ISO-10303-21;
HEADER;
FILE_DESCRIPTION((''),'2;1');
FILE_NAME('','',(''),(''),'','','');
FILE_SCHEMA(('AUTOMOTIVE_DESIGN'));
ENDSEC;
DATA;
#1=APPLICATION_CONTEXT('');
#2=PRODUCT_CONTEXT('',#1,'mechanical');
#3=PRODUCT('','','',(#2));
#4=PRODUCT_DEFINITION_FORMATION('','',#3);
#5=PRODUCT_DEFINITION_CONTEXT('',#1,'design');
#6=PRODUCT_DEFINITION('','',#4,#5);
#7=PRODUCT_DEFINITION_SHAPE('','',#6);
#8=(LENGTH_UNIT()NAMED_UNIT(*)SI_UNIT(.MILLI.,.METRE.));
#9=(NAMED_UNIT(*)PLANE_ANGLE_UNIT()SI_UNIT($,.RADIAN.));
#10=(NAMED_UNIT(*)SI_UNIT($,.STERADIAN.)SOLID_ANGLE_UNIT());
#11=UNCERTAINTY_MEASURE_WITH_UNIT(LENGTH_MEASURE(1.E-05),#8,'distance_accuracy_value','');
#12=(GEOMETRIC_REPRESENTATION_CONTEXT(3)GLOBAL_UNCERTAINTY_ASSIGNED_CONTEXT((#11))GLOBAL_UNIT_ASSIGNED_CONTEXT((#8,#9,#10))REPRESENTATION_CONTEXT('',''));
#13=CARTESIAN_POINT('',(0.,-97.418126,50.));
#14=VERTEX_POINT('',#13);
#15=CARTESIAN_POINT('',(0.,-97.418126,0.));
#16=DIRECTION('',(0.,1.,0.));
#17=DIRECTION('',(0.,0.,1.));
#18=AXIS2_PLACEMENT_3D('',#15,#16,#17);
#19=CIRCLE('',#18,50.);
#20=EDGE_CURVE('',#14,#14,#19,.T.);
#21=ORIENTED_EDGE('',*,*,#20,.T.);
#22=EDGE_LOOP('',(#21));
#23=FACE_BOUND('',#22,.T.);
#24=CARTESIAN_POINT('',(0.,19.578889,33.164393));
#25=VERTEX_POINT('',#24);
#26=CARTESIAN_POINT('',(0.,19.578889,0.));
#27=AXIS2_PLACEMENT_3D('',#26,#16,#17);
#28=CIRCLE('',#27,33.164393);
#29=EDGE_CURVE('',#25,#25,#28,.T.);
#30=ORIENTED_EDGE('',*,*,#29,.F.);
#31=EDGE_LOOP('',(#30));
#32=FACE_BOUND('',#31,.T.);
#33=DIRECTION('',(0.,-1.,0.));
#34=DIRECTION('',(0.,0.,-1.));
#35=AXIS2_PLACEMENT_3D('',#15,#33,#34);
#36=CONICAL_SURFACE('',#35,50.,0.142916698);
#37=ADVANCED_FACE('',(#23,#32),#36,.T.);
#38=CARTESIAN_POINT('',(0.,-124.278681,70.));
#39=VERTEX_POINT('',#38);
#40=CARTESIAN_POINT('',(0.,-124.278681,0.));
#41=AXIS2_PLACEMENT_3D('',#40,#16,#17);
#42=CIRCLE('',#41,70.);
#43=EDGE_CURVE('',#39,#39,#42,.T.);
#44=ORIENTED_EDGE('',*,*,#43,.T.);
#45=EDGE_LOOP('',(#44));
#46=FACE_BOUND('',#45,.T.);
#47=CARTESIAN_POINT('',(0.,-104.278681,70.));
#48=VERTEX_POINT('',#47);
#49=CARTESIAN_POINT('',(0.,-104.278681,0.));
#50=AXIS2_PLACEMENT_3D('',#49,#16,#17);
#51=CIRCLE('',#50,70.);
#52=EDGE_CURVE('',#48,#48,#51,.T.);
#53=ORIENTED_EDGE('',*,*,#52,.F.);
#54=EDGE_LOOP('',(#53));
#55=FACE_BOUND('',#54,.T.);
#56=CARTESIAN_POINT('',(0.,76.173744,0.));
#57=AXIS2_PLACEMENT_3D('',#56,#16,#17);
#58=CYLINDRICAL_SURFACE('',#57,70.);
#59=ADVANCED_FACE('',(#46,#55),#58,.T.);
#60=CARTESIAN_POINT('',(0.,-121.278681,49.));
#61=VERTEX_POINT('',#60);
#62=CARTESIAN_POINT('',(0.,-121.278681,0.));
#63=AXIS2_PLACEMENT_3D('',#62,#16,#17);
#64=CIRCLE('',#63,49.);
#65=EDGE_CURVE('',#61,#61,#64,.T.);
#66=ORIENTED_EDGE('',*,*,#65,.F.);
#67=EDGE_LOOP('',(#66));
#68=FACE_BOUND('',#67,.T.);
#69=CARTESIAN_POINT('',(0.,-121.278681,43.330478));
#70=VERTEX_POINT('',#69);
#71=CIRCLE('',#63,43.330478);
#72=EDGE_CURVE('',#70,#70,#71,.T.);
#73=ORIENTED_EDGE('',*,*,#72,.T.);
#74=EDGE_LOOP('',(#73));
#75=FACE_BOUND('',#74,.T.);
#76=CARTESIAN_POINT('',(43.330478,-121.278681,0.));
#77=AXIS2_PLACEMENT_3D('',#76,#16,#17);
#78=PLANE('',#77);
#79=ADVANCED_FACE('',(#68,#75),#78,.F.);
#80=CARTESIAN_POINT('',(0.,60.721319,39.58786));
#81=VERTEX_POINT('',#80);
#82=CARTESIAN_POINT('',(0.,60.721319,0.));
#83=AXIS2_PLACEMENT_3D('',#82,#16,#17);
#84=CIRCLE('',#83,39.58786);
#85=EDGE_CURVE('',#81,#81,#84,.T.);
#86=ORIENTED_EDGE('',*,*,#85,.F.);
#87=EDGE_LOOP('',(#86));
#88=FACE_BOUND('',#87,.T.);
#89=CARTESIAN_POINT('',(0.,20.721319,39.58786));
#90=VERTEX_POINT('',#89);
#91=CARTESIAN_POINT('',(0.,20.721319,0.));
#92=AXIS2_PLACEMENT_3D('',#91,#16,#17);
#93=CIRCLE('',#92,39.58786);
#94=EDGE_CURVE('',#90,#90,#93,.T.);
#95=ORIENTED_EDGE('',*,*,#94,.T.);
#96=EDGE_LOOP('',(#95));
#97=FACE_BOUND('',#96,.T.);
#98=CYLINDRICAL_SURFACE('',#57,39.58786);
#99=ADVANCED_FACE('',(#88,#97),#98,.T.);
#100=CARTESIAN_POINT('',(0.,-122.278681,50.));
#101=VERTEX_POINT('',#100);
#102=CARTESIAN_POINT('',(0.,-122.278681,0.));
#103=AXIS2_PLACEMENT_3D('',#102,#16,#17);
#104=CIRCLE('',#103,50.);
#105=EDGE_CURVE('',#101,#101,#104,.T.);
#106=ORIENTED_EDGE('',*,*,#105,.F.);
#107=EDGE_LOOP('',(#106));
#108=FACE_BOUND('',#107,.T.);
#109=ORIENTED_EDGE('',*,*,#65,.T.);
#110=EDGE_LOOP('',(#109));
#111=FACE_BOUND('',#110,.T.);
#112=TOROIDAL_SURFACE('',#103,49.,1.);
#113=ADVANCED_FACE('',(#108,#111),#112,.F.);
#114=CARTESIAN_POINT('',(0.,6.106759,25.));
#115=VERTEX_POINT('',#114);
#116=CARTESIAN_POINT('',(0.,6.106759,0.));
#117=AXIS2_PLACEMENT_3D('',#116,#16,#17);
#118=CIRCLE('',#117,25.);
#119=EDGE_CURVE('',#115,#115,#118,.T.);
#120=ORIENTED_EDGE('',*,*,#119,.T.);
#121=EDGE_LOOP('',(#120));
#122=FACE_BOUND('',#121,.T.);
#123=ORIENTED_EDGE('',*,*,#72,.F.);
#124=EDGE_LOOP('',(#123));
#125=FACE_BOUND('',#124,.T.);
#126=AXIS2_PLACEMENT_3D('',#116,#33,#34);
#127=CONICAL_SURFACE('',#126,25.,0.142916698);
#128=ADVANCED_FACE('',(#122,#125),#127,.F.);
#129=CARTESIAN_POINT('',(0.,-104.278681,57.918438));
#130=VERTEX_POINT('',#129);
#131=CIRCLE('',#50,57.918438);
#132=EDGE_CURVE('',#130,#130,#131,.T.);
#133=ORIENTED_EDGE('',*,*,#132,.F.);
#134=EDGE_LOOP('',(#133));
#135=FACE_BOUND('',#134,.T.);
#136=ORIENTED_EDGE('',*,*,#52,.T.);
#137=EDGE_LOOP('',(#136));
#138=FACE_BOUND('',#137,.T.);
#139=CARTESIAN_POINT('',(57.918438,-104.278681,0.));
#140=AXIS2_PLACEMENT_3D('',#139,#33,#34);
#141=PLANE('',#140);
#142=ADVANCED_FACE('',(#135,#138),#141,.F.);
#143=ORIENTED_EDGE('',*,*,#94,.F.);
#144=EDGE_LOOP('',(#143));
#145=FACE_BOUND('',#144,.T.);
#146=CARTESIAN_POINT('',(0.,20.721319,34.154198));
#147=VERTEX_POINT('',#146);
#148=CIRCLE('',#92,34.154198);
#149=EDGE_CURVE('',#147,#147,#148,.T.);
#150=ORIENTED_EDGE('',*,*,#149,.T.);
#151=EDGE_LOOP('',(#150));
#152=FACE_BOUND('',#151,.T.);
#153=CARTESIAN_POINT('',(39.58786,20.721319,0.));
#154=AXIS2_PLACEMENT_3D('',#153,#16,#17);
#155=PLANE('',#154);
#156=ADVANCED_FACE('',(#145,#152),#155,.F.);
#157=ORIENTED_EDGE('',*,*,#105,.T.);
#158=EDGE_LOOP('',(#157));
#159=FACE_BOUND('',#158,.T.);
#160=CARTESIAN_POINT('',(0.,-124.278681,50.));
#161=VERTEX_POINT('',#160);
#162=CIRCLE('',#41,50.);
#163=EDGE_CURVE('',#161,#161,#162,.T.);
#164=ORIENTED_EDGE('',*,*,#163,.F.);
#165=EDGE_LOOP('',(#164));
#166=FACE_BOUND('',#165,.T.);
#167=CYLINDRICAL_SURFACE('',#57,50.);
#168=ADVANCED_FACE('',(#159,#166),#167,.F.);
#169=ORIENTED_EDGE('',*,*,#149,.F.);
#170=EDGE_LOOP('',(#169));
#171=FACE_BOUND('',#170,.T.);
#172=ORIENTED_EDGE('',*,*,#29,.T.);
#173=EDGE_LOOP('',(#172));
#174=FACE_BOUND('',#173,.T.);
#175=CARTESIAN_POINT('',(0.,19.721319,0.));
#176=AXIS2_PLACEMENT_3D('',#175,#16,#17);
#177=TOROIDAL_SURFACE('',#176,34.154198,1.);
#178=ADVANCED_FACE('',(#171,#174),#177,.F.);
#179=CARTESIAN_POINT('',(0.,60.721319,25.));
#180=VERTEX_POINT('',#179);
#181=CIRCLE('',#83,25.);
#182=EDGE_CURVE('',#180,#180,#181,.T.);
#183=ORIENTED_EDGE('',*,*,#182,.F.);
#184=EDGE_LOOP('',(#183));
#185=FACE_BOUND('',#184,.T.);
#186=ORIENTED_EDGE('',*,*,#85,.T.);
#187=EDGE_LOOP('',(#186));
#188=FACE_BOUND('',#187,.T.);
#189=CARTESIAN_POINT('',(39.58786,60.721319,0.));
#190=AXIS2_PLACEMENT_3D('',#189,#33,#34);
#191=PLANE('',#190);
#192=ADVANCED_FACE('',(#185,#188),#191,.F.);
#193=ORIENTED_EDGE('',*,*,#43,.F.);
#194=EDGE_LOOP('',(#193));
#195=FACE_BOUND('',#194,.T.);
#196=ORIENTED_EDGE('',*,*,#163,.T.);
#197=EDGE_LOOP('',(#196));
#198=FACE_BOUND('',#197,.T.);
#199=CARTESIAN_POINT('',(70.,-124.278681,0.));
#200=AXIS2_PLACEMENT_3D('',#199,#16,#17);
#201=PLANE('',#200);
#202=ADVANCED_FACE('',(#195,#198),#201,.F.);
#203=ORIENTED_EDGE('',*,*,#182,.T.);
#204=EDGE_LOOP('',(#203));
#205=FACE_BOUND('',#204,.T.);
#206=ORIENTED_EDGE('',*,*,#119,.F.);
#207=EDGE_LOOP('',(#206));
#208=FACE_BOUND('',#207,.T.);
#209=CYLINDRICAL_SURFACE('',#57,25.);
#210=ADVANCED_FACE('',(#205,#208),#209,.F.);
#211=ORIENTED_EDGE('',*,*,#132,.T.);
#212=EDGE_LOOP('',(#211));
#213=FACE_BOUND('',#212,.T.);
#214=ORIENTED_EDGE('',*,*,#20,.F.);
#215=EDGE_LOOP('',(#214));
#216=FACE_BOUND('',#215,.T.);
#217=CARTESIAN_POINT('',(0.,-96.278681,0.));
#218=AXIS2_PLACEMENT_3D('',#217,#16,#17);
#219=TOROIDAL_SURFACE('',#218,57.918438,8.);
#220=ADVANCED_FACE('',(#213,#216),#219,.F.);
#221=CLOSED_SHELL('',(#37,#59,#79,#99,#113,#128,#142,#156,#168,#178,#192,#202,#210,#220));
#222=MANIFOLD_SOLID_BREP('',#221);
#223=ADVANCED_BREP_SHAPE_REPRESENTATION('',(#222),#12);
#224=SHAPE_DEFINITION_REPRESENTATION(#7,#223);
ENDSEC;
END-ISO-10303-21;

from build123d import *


with BuildPart() as part:
    # Sketch1 → Revolve1 (revolve)
    with BuildSketch(Plane.XY):
        with BuildLine():
            Line((39.587859575, 60.721319219), (39.587859575, 20.721319219))
            Line((39.587859575, 20.721319219), (34.15419798, 20.721319219))
            ThreePointArc((34.15419798, 20.721319219), (33.398410087, 20.376135729), (33.1643932, 19.578888541))
            Line((33.1643932, 19.578888541), (50, -97.418126201))
            ThreePointArc((50, -97.418126201), (52.679906162, -102.324983923), (57.918438238, -104.278680781))
            Line((57.918438238, -104.278680781), (70, -104.278680781))
            Line((70, -104.278680781), (70, -124.278680781))
            Line((70, -124.278680781), (50, -124.278680781))
            Line((50, -124.278680781), (50, -122.278680781))
            ThreePointArc((50, -122.278680781), (49.707106781, -121.571574), (49, -121.278680781))
            Line((49, -121.278680781), (43.330477707, -121.278680781))
            Line((43.330477707, -121.278680781), (35.697641886, -68.23521073))
            Line((35.697641886, -68.23521073), (25, 6.106758666))
            Line((25, 6.106758666), (25, 60.721319219))
            Line((25, 60.721319219), (39.587859575, 60.721319219))
        make_face()
    revolve(axis=Axis((0, 76.173744253, 0), (0, -1, 0)))


solid = part.part
